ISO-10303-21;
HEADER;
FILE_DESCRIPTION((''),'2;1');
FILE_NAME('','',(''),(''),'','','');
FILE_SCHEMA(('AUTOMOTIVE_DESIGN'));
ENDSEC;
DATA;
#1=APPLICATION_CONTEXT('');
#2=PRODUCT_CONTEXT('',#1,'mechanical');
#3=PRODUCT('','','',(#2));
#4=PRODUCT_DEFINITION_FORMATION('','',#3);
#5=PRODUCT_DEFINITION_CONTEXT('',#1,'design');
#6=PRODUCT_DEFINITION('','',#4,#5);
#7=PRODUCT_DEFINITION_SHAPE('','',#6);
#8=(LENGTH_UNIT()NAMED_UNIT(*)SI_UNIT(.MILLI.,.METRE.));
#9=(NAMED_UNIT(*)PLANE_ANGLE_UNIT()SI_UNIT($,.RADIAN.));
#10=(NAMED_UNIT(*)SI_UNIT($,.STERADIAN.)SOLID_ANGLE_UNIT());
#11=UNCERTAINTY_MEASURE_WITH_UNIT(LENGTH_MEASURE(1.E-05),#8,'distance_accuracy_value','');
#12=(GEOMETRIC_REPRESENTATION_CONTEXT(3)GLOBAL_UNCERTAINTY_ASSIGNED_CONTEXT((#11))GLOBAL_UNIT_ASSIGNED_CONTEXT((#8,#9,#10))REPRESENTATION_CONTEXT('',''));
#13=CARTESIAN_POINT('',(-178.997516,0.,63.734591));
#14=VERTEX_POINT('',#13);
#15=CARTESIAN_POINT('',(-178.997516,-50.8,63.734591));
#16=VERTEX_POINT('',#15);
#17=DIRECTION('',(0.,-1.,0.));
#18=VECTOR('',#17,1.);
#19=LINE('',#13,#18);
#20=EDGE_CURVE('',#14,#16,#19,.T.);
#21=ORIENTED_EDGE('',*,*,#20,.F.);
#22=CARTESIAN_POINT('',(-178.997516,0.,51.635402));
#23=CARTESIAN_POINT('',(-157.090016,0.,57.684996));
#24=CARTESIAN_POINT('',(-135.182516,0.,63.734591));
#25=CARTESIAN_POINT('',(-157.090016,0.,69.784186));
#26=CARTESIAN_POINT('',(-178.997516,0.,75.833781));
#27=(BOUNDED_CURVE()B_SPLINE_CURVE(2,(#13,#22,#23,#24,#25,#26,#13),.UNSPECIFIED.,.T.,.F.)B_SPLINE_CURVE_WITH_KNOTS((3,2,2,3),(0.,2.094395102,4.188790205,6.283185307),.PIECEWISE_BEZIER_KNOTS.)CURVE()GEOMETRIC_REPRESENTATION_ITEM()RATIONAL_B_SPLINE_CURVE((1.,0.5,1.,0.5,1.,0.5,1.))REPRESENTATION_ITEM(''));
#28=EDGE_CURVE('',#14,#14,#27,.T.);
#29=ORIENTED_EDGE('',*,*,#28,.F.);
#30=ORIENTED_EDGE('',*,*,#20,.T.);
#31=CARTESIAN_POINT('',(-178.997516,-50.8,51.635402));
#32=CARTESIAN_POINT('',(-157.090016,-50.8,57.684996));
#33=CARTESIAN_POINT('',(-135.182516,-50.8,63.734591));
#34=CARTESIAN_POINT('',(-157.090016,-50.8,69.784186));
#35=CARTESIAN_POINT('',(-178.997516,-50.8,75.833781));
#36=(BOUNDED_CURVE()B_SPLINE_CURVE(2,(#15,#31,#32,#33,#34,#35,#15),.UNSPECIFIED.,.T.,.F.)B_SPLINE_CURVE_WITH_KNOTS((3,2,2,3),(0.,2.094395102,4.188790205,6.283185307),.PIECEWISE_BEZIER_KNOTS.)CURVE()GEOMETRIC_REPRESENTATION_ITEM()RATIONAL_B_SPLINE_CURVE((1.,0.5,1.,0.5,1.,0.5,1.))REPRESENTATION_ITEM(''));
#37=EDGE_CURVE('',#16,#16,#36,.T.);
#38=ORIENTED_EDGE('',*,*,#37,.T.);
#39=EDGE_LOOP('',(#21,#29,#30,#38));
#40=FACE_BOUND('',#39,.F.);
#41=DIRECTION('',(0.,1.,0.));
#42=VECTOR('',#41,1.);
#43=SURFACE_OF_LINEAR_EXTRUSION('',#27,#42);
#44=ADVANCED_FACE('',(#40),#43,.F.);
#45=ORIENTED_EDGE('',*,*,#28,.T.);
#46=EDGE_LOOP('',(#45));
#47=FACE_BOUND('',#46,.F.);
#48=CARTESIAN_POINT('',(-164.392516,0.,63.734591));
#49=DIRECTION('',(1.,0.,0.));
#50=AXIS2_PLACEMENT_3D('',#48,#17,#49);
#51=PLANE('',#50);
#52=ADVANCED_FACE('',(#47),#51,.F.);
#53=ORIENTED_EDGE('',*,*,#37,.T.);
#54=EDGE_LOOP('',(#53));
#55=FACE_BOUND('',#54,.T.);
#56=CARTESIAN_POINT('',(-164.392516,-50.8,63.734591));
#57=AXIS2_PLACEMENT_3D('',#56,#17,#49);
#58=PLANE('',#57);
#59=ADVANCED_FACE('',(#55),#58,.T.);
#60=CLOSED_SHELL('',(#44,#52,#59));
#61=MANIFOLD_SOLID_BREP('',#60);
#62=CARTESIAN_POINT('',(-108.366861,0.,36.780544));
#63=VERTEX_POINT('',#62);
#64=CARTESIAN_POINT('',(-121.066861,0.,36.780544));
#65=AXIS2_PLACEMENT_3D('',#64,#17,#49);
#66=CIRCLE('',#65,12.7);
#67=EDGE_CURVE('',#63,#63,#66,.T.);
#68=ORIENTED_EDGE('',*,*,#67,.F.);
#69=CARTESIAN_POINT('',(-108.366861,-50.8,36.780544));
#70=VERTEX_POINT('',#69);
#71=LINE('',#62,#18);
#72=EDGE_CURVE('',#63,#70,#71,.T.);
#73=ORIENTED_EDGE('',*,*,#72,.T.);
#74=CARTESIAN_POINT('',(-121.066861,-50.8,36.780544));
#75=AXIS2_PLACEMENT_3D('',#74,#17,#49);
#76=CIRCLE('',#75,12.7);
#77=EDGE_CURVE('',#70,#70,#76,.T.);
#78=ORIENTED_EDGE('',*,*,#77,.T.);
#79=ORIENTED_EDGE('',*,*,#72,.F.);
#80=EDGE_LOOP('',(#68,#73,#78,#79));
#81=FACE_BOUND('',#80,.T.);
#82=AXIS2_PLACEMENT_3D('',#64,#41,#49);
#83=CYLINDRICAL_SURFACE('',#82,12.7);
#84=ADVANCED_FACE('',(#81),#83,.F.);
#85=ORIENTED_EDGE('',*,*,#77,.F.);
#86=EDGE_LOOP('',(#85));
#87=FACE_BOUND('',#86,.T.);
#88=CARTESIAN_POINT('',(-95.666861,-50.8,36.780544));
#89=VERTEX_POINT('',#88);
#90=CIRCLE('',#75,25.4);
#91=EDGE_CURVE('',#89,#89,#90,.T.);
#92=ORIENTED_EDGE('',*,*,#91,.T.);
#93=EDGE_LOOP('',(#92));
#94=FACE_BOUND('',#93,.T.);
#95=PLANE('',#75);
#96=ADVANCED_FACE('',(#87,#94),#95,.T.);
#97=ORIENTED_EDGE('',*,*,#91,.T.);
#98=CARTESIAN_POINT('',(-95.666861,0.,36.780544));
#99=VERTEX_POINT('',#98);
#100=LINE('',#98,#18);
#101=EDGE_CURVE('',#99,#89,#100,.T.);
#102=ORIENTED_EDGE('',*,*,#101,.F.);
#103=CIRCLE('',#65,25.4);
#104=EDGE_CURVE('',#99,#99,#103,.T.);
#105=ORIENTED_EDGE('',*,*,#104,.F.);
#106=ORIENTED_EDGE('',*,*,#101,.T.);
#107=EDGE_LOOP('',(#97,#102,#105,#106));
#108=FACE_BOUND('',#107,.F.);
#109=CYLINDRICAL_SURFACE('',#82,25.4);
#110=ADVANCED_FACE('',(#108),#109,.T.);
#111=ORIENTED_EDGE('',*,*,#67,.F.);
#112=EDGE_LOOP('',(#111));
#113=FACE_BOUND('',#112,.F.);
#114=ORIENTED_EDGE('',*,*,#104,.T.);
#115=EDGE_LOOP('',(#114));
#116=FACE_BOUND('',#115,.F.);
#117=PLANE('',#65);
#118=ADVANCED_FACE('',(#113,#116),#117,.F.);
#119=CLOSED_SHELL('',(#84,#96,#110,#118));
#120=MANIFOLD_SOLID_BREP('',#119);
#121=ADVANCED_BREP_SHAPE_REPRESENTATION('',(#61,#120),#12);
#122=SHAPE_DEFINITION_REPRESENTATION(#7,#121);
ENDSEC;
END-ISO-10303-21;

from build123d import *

# Parameters (mm, degrees)
F0_R     = 25.4
F0_R_2   = 12.7
F1_DEPTH = 50.8


with BuildPart() as f1:
    # F0 (on Front) → F1 (new body)
    with BuildSketch(Plane.XZ):
        with Locations((-121.0668608546, 36.7805436254)):
            Circle(F0_R)
        with Locations((-121.0668608546, 36.7805436254)):
            Circle(F0_R_2, mode=Mode.SUBTRACT)
    extrude(amount=F1_DEPTH)


with BuildPart() as f1b:
    # F0 (on Front) → F1, piece 2 (new body)
    with BuildSketch(Plane.XZ):
        with BuildLine():
            add(Edge.make_bspline(
                [(-178.997516017, 63.7345910072), (-178.997516017, 51.6354015026), (-157.090016017, 57.6849962549), (-135.182516017, 63.7345910072), (-157.090016017, 69.7841857596), (-178.997516017, 75.8337805119), (-178.997516017, 63.7345910072)],
                knots=[0, 0, 0, 2.0943951024, 2.0943951024, 4.1887902048, 4.1887902048, 6.2831853072, 6.2831853072, 6.2831853072], degree=2, weights=[1, 0.5, 1, 0.5, 1, 0.5, 1]))
        make_face()
    extrude(amount=F1_DEPTH)


solid = Compound([f1.part, f1b.part])
